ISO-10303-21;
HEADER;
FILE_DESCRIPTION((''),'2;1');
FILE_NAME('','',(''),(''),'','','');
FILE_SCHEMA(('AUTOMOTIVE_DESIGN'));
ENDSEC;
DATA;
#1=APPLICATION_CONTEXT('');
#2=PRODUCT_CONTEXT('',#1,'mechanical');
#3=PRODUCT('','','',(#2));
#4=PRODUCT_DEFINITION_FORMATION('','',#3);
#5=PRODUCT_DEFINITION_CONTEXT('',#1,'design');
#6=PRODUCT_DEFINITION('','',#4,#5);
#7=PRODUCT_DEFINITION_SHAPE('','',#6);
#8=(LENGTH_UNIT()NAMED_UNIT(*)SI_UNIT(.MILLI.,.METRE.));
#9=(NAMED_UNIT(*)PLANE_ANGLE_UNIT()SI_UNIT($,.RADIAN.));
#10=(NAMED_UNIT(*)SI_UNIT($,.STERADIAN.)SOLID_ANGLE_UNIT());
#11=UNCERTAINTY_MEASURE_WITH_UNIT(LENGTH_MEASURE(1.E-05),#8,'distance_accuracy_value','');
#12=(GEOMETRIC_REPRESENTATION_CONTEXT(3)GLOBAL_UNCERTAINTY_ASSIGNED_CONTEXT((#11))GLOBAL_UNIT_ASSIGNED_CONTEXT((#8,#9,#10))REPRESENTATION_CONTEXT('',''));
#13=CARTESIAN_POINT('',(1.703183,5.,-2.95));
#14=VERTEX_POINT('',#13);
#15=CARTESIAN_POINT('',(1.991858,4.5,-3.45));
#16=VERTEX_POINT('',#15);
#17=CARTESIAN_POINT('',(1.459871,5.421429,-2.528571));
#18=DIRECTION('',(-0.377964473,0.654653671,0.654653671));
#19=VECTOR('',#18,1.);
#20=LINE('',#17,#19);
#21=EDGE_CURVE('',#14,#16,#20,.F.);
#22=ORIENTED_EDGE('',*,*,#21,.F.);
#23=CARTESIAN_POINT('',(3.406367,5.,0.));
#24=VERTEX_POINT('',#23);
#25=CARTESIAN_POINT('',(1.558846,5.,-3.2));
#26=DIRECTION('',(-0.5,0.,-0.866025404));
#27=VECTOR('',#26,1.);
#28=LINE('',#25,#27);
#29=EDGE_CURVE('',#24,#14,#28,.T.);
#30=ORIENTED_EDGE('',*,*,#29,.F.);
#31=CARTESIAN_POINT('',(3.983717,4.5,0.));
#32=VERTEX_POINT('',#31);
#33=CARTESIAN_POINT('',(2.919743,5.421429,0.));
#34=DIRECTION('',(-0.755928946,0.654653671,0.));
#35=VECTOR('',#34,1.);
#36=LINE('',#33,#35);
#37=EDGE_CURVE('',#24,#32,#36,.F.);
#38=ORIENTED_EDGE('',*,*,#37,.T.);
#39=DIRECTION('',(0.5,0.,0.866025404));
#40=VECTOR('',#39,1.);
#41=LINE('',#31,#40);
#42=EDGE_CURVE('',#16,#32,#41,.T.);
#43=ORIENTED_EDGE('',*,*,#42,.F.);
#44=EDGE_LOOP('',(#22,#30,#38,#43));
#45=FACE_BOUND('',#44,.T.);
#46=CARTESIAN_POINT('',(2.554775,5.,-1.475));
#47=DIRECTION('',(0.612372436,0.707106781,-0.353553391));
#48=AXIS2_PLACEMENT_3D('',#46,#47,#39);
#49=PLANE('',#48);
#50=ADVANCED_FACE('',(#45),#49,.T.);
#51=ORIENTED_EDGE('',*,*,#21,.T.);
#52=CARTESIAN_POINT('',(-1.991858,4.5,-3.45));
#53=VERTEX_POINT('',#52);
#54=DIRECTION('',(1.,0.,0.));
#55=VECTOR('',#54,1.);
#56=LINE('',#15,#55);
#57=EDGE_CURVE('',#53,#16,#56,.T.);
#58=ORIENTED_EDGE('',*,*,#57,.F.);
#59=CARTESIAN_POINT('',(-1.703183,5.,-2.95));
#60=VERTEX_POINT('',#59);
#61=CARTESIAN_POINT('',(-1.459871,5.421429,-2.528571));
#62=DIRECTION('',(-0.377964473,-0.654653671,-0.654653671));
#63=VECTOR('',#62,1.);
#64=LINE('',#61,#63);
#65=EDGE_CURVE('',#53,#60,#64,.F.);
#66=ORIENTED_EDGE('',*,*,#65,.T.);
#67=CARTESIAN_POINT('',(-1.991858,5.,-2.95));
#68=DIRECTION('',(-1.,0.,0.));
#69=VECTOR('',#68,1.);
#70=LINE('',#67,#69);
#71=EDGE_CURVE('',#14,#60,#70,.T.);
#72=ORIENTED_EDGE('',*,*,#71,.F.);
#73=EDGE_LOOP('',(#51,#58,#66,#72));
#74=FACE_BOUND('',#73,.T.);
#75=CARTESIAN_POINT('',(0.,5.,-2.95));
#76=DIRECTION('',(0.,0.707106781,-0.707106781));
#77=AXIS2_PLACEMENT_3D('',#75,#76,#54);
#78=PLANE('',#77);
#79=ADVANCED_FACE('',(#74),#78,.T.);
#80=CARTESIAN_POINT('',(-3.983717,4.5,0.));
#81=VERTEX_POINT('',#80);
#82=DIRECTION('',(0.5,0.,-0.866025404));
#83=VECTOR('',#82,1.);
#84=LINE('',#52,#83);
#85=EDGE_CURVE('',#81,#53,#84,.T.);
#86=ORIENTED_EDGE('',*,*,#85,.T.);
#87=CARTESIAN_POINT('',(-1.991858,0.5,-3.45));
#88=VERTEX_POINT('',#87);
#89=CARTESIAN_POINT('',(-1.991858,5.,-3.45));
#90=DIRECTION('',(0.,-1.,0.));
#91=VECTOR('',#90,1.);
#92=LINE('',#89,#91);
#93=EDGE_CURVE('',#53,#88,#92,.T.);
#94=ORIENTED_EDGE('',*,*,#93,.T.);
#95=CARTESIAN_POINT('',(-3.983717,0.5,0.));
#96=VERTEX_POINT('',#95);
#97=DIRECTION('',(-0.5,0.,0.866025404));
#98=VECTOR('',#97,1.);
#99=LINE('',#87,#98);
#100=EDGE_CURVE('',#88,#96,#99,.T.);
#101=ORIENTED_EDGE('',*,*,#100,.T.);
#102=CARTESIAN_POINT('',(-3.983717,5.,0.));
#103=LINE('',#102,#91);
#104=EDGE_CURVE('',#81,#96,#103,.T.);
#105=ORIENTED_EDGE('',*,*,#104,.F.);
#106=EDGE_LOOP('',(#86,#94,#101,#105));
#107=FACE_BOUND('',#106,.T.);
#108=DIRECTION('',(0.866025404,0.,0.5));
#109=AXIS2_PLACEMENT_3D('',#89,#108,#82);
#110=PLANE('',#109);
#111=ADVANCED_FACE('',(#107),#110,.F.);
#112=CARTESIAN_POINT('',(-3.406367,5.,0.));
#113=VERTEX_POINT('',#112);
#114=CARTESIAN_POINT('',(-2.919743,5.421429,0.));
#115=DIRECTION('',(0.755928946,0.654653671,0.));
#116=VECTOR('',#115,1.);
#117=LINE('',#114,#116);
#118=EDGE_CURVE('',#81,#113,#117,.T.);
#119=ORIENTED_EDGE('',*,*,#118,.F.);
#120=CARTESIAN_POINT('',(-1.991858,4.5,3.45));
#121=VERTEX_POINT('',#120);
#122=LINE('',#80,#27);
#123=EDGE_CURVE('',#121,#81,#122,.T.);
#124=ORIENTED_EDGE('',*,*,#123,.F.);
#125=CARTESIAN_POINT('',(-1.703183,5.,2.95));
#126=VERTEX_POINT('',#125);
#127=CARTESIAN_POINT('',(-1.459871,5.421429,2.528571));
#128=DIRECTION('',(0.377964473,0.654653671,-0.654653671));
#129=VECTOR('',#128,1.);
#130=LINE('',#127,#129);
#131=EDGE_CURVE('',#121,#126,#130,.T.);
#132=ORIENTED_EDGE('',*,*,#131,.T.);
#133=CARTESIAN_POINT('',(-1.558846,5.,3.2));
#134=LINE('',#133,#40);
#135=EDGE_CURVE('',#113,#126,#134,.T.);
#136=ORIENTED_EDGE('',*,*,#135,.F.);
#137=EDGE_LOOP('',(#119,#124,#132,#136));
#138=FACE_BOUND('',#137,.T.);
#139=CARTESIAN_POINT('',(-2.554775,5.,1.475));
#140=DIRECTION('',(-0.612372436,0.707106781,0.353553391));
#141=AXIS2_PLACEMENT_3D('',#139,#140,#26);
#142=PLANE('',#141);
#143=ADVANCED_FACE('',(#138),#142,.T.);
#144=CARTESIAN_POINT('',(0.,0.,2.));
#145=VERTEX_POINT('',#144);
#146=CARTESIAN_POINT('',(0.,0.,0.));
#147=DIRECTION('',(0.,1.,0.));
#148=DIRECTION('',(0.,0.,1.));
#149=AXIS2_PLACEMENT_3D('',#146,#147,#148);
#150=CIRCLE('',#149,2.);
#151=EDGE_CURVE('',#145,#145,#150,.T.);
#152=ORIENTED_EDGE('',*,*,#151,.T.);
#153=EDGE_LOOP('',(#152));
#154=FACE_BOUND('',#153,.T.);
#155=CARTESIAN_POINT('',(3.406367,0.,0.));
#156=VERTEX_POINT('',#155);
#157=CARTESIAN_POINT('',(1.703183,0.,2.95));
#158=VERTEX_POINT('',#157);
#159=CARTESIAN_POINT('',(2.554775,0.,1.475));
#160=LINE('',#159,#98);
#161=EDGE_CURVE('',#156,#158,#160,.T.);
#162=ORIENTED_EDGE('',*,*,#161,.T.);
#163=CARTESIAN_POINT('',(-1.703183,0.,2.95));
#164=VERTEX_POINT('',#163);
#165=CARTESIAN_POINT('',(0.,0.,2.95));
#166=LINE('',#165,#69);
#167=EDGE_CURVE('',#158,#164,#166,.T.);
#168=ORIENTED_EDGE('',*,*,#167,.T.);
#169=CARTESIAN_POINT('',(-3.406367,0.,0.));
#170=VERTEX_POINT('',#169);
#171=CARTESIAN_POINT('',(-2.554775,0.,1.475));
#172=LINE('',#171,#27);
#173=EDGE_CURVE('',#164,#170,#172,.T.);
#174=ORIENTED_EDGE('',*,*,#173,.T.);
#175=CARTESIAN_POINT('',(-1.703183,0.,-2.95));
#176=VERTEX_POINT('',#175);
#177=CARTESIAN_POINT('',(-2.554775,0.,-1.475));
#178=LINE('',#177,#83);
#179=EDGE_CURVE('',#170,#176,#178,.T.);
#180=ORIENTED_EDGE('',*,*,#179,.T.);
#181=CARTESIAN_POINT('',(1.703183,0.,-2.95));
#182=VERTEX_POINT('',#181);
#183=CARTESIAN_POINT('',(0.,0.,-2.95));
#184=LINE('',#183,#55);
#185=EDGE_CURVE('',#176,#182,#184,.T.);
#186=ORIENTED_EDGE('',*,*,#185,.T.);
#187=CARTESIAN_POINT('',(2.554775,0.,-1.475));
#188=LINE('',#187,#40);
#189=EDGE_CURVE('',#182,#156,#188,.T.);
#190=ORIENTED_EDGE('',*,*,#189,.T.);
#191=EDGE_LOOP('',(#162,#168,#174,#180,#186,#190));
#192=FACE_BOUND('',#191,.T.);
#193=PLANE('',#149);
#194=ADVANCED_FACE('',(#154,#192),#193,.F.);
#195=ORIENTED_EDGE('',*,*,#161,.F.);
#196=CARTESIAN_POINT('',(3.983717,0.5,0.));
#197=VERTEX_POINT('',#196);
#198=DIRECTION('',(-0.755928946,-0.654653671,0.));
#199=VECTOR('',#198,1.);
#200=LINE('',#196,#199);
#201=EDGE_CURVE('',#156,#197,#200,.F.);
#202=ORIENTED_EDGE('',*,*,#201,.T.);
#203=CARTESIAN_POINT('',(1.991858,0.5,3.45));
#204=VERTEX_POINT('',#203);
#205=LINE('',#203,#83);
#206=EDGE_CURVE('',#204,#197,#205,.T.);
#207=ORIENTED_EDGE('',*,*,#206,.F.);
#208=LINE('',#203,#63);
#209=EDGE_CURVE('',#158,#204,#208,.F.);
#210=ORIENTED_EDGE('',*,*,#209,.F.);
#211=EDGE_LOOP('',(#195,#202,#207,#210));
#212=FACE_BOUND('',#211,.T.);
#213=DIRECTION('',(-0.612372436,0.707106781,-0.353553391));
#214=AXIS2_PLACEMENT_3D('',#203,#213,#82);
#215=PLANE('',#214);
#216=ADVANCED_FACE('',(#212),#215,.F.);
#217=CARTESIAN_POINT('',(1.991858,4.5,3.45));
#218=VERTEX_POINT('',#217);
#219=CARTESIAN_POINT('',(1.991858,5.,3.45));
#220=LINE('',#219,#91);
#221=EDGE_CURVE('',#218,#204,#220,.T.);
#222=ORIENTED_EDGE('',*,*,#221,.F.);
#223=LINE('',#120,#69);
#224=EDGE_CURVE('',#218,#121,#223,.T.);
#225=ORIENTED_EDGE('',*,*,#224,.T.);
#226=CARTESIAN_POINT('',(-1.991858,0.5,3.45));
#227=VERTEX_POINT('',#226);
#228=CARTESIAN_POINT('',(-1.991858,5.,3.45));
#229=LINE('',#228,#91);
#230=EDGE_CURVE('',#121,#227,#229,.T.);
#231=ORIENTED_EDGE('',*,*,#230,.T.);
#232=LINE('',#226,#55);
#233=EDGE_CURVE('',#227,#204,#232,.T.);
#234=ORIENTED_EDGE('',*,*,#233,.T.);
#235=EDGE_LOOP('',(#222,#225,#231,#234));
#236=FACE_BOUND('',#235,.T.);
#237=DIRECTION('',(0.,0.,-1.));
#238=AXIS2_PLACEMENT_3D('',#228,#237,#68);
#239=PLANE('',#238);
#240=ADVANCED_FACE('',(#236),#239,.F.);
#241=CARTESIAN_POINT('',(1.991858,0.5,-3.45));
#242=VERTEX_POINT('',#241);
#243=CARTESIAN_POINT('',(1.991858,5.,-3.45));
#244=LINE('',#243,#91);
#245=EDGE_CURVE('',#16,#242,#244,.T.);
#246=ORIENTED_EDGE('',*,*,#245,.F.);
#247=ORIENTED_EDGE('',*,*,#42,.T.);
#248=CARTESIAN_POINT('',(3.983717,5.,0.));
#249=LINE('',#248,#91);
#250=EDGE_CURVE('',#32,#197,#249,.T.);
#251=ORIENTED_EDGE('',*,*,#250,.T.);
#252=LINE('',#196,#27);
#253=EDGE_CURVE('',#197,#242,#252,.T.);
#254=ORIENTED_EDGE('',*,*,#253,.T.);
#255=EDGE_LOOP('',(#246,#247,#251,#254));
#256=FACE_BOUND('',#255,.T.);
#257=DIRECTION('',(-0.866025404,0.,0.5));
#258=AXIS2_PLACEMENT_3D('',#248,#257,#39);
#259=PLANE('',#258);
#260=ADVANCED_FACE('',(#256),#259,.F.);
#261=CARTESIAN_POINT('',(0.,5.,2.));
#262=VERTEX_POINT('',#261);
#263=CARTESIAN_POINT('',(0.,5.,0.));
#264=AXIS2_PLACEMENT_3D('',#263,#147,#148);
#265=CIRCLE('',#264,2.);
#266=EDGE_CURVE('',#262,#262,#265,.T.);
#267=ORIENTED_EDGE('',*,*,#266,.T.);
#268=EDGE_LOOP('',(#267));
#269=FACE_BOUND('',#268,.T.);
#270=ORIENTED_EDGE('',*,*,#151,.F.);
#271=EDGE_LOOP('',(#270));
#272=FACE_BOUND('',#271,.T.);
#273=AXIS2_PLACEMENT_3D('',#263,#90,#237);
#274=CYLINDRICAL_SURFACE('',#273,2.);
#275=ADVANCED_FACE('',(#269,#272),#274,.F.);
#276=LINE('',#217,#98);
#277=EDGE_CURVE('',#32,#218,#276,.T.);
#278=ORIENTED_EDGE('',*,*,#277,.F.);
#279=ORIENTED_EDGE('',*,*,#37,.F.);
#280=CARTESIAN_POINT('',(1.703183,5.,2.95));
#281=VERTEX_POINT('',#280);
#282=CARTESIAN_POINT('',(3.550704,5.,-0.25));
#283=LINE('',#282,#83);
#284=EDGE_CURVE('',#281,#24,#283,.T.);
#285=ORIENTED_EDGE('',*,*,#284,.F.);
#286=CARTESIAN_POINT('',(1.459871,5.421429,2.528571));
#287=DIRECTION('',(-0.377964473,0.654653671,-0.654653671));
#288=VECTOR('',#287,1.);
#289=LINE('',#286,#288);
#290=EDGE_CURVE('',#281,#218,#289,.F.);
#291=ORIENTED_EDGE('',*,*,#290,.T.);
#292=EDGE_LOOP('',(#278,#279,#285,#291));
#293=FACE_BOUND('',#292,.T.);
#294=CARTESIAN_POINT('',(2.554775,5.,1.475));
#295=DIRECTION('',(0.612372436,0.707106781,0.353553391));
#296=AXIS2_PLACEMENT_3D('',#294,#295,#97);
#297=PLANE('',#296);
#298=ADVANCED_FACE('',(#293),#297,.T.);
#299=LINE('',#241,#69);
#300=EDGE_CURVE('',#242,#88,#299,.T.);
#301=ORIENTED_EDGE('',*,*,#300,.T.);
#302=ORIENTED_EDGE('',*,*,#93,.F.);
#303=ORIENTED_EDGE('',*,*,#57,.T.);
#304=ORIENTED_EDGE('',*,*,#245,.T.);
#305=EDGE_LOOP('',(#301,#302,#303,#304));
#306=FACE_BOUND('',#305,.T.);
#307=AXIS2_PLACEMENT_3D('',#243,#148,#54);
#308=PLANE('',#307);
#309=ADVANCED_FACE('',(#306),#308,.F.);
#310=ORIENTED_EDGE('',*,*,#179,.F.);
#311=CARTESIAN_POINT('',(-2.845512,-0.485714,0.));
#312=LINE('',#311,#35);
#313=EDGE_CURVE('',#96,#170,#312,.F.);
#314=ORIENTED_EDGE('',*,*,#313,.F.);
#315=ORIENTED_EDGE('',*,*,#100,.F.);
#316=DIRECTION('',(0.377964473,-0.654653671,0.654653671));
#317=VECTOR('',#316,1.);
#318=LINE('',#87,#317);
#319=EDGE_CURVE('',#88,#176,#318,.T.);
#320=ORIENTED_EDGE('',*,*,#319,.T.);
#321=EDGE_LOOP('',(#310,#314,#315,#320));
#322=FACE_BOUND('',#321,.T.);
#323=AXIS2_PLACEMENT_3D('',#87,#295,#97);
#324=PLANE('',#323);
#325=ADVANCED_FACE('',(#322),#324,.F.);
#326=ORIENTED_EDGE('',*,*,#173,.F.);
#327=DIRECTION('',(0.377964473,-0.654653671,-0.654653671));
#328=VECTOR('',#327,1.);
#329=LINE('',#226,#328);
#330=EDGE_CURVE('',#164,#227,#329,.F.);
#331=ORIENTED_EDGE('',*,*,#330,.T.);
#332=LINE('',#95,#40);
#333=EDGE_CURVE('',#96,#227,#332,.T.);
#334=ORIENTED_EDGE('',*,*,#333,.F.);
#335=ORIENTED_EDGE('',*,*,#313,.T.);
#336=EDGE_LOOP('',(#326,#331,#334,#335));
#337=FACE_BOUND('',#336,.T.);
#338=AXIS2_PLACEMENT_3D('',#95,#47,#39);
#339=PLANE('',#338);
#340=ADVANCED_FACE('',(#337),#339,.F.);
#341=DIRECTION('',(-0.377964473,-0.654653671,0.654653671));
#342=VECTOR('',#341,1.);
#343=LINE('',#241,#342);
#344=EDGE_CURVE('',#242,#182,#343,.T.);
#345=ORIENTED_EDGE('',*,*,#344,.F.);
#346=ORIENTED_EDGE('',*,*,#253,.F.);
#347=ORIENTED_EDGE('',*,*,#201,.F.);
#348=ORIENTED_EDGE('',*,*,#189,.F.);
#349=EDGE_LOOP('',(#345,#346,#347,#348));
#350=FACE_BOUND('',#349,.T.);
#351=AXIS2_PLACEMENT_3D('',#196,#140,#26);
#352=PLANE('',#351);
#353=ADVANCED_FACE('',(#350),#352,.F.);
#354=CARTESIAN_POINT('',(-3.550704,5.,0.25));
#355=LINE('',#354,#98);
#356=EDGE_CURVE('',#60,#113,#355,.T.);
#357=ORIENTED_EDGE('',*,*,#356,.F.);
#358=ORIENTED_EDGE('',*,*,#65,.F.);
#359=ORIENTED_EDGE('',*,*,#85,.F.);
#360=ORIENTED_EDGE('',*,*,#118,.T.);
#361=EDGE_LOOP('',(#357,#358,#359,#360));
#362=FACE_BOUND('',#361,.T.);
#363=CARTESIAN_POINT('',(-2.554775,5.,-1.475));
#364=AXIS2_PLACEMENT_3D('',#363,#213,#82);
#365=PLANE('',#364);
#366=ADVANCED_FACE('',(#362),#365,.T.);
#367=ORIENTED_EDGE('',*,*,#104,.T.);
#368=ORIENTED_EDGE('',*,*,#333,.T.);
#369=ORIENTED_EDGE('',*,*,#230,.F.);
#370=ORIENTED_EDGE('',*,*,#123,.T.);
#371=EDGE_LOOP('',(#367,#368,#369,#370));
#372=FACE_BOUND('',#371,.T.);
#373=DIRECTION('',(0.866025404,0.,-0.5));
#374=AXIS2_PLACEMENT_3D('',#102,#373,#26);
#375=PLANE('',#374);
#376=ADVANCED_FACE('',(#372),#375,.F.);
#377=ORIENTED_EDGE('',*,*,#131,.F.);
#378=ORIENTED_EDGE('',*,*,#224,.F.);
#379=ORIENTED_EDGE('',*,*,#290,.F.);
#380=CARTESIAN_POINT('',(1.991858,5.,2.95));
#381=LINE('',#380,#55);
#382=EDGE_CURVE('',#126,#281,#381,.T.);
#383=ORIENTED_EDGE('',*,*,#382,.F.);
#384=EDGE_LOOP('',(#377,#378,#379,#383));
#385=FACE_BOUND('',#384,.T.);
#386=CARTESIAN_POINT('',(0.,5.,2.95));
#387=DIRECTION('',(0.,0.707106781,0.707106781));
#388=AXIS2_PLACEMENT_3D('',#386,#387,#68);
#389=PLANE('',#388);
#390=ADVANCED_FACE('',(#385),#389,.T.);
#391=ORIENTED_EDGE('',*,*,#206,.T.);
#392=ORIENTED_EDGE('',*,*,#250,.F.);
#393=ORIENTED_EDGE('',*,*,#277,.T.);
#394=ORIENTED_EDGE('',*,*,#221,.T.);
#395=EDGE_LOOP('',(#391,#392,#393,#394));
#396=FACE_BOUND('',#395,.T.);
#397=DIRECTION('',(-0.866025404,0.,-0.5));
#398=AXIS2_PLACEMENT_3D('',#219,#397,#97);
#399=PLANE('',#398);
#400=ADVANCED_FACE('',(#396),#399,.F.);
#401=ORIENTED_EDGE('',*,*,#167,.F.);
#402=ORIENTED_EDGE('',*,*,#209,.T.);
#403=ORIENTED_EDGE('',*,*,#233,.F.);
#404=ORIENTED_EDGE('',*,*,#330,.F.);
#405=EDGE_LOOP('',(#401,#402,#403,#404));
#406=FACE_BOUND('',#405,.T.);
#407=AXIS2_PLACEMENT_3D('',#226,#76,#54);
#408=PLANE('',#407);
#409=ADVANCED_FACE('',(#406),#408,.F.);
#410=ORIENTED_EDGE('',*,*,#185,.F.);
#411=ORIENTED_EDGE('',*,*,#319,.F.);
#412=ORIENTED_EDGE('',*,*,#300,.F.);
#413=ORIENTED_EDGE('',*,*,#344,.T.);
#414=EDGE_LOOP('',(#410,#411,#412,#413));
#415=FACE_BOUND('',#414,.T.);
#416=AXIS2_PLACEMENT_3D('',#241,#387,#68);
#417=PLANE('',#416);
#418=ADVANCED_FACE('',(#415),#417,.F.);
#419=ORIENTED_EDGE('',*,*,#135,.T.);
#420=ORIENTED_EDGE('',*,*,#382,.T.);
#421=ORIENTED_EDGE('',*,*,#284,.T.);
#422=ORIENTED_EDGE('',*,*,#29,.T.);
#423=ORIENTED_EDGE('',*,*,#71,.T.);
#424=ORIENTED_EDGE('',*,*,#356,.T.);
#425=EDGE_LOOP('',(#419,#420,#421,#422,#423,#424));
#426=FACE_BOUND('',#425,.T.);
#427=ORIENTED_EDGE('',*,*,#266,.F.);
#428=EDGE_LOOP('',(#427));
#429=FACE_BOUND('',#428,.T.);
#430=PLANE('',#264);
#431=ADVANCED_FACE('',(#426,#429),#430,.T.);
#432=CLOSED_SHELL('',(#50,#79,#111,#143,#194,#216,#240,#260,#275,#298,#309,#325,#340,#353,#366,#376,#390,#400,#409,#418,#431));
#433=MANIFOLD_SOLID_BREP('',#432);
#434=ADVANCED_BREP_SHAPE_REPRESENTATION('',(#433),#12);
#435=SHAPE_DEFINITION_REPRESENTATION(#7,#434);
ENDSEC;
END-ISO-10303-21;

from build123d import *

# Parameters (mm, degrees)
SKETCH_1_R      = 2
EXTRUDE_1_DEPTH = 5
CHAMFER_1_SIZE  = 0.5


with BuildPart() as part:
    # 草图1 → 凸台-拉伸1 (new body)
    with BuildSketch(Plane(origin=(0, 0, 0), x_dir=(1, 0, 0), z_dir=(0, 1, 0))):
        Polygon((-3.983716857, 0), (-1.991858429, -3.45), (1.991858429, -3.45), (3.983716857, 0), (1.991858429, 3.45), (-1.991858429, 3.45), align=None)
        with Locations(Location((0, 0, 0), (0, 0, 270))):
            Circle(SKETCH_1_R, mode=Mode.SUBTRACT)
    extrude(amount=EXTRUDE_1_DEPTH)

    # 倒角1
    chamfer_1_edges = [part.edges().sort_by_distance(p)[0] for p in [
        (0, 5, 3.45),
        (2.987787643, 5, 1.725),
        (2.987787643, 5, -1.725),
        (0, 5, -3.45),
        (-2.987787643, 5, -1.725),
        (0, 0, -3.45),
        (2.987787643, 0, -1.725),
        (2.987787643, 0, 1.725),
        (0, 0, 3.45),
        (-2.987787643, 0, 1.725),
        (-2.987787643, 0, -1.725),
        (-2.987787643, 5, 1.725),
    ]]
    chamfer(chamfer_1_edges, length=CHAMFER_1_SIZE)


solid = part.part
